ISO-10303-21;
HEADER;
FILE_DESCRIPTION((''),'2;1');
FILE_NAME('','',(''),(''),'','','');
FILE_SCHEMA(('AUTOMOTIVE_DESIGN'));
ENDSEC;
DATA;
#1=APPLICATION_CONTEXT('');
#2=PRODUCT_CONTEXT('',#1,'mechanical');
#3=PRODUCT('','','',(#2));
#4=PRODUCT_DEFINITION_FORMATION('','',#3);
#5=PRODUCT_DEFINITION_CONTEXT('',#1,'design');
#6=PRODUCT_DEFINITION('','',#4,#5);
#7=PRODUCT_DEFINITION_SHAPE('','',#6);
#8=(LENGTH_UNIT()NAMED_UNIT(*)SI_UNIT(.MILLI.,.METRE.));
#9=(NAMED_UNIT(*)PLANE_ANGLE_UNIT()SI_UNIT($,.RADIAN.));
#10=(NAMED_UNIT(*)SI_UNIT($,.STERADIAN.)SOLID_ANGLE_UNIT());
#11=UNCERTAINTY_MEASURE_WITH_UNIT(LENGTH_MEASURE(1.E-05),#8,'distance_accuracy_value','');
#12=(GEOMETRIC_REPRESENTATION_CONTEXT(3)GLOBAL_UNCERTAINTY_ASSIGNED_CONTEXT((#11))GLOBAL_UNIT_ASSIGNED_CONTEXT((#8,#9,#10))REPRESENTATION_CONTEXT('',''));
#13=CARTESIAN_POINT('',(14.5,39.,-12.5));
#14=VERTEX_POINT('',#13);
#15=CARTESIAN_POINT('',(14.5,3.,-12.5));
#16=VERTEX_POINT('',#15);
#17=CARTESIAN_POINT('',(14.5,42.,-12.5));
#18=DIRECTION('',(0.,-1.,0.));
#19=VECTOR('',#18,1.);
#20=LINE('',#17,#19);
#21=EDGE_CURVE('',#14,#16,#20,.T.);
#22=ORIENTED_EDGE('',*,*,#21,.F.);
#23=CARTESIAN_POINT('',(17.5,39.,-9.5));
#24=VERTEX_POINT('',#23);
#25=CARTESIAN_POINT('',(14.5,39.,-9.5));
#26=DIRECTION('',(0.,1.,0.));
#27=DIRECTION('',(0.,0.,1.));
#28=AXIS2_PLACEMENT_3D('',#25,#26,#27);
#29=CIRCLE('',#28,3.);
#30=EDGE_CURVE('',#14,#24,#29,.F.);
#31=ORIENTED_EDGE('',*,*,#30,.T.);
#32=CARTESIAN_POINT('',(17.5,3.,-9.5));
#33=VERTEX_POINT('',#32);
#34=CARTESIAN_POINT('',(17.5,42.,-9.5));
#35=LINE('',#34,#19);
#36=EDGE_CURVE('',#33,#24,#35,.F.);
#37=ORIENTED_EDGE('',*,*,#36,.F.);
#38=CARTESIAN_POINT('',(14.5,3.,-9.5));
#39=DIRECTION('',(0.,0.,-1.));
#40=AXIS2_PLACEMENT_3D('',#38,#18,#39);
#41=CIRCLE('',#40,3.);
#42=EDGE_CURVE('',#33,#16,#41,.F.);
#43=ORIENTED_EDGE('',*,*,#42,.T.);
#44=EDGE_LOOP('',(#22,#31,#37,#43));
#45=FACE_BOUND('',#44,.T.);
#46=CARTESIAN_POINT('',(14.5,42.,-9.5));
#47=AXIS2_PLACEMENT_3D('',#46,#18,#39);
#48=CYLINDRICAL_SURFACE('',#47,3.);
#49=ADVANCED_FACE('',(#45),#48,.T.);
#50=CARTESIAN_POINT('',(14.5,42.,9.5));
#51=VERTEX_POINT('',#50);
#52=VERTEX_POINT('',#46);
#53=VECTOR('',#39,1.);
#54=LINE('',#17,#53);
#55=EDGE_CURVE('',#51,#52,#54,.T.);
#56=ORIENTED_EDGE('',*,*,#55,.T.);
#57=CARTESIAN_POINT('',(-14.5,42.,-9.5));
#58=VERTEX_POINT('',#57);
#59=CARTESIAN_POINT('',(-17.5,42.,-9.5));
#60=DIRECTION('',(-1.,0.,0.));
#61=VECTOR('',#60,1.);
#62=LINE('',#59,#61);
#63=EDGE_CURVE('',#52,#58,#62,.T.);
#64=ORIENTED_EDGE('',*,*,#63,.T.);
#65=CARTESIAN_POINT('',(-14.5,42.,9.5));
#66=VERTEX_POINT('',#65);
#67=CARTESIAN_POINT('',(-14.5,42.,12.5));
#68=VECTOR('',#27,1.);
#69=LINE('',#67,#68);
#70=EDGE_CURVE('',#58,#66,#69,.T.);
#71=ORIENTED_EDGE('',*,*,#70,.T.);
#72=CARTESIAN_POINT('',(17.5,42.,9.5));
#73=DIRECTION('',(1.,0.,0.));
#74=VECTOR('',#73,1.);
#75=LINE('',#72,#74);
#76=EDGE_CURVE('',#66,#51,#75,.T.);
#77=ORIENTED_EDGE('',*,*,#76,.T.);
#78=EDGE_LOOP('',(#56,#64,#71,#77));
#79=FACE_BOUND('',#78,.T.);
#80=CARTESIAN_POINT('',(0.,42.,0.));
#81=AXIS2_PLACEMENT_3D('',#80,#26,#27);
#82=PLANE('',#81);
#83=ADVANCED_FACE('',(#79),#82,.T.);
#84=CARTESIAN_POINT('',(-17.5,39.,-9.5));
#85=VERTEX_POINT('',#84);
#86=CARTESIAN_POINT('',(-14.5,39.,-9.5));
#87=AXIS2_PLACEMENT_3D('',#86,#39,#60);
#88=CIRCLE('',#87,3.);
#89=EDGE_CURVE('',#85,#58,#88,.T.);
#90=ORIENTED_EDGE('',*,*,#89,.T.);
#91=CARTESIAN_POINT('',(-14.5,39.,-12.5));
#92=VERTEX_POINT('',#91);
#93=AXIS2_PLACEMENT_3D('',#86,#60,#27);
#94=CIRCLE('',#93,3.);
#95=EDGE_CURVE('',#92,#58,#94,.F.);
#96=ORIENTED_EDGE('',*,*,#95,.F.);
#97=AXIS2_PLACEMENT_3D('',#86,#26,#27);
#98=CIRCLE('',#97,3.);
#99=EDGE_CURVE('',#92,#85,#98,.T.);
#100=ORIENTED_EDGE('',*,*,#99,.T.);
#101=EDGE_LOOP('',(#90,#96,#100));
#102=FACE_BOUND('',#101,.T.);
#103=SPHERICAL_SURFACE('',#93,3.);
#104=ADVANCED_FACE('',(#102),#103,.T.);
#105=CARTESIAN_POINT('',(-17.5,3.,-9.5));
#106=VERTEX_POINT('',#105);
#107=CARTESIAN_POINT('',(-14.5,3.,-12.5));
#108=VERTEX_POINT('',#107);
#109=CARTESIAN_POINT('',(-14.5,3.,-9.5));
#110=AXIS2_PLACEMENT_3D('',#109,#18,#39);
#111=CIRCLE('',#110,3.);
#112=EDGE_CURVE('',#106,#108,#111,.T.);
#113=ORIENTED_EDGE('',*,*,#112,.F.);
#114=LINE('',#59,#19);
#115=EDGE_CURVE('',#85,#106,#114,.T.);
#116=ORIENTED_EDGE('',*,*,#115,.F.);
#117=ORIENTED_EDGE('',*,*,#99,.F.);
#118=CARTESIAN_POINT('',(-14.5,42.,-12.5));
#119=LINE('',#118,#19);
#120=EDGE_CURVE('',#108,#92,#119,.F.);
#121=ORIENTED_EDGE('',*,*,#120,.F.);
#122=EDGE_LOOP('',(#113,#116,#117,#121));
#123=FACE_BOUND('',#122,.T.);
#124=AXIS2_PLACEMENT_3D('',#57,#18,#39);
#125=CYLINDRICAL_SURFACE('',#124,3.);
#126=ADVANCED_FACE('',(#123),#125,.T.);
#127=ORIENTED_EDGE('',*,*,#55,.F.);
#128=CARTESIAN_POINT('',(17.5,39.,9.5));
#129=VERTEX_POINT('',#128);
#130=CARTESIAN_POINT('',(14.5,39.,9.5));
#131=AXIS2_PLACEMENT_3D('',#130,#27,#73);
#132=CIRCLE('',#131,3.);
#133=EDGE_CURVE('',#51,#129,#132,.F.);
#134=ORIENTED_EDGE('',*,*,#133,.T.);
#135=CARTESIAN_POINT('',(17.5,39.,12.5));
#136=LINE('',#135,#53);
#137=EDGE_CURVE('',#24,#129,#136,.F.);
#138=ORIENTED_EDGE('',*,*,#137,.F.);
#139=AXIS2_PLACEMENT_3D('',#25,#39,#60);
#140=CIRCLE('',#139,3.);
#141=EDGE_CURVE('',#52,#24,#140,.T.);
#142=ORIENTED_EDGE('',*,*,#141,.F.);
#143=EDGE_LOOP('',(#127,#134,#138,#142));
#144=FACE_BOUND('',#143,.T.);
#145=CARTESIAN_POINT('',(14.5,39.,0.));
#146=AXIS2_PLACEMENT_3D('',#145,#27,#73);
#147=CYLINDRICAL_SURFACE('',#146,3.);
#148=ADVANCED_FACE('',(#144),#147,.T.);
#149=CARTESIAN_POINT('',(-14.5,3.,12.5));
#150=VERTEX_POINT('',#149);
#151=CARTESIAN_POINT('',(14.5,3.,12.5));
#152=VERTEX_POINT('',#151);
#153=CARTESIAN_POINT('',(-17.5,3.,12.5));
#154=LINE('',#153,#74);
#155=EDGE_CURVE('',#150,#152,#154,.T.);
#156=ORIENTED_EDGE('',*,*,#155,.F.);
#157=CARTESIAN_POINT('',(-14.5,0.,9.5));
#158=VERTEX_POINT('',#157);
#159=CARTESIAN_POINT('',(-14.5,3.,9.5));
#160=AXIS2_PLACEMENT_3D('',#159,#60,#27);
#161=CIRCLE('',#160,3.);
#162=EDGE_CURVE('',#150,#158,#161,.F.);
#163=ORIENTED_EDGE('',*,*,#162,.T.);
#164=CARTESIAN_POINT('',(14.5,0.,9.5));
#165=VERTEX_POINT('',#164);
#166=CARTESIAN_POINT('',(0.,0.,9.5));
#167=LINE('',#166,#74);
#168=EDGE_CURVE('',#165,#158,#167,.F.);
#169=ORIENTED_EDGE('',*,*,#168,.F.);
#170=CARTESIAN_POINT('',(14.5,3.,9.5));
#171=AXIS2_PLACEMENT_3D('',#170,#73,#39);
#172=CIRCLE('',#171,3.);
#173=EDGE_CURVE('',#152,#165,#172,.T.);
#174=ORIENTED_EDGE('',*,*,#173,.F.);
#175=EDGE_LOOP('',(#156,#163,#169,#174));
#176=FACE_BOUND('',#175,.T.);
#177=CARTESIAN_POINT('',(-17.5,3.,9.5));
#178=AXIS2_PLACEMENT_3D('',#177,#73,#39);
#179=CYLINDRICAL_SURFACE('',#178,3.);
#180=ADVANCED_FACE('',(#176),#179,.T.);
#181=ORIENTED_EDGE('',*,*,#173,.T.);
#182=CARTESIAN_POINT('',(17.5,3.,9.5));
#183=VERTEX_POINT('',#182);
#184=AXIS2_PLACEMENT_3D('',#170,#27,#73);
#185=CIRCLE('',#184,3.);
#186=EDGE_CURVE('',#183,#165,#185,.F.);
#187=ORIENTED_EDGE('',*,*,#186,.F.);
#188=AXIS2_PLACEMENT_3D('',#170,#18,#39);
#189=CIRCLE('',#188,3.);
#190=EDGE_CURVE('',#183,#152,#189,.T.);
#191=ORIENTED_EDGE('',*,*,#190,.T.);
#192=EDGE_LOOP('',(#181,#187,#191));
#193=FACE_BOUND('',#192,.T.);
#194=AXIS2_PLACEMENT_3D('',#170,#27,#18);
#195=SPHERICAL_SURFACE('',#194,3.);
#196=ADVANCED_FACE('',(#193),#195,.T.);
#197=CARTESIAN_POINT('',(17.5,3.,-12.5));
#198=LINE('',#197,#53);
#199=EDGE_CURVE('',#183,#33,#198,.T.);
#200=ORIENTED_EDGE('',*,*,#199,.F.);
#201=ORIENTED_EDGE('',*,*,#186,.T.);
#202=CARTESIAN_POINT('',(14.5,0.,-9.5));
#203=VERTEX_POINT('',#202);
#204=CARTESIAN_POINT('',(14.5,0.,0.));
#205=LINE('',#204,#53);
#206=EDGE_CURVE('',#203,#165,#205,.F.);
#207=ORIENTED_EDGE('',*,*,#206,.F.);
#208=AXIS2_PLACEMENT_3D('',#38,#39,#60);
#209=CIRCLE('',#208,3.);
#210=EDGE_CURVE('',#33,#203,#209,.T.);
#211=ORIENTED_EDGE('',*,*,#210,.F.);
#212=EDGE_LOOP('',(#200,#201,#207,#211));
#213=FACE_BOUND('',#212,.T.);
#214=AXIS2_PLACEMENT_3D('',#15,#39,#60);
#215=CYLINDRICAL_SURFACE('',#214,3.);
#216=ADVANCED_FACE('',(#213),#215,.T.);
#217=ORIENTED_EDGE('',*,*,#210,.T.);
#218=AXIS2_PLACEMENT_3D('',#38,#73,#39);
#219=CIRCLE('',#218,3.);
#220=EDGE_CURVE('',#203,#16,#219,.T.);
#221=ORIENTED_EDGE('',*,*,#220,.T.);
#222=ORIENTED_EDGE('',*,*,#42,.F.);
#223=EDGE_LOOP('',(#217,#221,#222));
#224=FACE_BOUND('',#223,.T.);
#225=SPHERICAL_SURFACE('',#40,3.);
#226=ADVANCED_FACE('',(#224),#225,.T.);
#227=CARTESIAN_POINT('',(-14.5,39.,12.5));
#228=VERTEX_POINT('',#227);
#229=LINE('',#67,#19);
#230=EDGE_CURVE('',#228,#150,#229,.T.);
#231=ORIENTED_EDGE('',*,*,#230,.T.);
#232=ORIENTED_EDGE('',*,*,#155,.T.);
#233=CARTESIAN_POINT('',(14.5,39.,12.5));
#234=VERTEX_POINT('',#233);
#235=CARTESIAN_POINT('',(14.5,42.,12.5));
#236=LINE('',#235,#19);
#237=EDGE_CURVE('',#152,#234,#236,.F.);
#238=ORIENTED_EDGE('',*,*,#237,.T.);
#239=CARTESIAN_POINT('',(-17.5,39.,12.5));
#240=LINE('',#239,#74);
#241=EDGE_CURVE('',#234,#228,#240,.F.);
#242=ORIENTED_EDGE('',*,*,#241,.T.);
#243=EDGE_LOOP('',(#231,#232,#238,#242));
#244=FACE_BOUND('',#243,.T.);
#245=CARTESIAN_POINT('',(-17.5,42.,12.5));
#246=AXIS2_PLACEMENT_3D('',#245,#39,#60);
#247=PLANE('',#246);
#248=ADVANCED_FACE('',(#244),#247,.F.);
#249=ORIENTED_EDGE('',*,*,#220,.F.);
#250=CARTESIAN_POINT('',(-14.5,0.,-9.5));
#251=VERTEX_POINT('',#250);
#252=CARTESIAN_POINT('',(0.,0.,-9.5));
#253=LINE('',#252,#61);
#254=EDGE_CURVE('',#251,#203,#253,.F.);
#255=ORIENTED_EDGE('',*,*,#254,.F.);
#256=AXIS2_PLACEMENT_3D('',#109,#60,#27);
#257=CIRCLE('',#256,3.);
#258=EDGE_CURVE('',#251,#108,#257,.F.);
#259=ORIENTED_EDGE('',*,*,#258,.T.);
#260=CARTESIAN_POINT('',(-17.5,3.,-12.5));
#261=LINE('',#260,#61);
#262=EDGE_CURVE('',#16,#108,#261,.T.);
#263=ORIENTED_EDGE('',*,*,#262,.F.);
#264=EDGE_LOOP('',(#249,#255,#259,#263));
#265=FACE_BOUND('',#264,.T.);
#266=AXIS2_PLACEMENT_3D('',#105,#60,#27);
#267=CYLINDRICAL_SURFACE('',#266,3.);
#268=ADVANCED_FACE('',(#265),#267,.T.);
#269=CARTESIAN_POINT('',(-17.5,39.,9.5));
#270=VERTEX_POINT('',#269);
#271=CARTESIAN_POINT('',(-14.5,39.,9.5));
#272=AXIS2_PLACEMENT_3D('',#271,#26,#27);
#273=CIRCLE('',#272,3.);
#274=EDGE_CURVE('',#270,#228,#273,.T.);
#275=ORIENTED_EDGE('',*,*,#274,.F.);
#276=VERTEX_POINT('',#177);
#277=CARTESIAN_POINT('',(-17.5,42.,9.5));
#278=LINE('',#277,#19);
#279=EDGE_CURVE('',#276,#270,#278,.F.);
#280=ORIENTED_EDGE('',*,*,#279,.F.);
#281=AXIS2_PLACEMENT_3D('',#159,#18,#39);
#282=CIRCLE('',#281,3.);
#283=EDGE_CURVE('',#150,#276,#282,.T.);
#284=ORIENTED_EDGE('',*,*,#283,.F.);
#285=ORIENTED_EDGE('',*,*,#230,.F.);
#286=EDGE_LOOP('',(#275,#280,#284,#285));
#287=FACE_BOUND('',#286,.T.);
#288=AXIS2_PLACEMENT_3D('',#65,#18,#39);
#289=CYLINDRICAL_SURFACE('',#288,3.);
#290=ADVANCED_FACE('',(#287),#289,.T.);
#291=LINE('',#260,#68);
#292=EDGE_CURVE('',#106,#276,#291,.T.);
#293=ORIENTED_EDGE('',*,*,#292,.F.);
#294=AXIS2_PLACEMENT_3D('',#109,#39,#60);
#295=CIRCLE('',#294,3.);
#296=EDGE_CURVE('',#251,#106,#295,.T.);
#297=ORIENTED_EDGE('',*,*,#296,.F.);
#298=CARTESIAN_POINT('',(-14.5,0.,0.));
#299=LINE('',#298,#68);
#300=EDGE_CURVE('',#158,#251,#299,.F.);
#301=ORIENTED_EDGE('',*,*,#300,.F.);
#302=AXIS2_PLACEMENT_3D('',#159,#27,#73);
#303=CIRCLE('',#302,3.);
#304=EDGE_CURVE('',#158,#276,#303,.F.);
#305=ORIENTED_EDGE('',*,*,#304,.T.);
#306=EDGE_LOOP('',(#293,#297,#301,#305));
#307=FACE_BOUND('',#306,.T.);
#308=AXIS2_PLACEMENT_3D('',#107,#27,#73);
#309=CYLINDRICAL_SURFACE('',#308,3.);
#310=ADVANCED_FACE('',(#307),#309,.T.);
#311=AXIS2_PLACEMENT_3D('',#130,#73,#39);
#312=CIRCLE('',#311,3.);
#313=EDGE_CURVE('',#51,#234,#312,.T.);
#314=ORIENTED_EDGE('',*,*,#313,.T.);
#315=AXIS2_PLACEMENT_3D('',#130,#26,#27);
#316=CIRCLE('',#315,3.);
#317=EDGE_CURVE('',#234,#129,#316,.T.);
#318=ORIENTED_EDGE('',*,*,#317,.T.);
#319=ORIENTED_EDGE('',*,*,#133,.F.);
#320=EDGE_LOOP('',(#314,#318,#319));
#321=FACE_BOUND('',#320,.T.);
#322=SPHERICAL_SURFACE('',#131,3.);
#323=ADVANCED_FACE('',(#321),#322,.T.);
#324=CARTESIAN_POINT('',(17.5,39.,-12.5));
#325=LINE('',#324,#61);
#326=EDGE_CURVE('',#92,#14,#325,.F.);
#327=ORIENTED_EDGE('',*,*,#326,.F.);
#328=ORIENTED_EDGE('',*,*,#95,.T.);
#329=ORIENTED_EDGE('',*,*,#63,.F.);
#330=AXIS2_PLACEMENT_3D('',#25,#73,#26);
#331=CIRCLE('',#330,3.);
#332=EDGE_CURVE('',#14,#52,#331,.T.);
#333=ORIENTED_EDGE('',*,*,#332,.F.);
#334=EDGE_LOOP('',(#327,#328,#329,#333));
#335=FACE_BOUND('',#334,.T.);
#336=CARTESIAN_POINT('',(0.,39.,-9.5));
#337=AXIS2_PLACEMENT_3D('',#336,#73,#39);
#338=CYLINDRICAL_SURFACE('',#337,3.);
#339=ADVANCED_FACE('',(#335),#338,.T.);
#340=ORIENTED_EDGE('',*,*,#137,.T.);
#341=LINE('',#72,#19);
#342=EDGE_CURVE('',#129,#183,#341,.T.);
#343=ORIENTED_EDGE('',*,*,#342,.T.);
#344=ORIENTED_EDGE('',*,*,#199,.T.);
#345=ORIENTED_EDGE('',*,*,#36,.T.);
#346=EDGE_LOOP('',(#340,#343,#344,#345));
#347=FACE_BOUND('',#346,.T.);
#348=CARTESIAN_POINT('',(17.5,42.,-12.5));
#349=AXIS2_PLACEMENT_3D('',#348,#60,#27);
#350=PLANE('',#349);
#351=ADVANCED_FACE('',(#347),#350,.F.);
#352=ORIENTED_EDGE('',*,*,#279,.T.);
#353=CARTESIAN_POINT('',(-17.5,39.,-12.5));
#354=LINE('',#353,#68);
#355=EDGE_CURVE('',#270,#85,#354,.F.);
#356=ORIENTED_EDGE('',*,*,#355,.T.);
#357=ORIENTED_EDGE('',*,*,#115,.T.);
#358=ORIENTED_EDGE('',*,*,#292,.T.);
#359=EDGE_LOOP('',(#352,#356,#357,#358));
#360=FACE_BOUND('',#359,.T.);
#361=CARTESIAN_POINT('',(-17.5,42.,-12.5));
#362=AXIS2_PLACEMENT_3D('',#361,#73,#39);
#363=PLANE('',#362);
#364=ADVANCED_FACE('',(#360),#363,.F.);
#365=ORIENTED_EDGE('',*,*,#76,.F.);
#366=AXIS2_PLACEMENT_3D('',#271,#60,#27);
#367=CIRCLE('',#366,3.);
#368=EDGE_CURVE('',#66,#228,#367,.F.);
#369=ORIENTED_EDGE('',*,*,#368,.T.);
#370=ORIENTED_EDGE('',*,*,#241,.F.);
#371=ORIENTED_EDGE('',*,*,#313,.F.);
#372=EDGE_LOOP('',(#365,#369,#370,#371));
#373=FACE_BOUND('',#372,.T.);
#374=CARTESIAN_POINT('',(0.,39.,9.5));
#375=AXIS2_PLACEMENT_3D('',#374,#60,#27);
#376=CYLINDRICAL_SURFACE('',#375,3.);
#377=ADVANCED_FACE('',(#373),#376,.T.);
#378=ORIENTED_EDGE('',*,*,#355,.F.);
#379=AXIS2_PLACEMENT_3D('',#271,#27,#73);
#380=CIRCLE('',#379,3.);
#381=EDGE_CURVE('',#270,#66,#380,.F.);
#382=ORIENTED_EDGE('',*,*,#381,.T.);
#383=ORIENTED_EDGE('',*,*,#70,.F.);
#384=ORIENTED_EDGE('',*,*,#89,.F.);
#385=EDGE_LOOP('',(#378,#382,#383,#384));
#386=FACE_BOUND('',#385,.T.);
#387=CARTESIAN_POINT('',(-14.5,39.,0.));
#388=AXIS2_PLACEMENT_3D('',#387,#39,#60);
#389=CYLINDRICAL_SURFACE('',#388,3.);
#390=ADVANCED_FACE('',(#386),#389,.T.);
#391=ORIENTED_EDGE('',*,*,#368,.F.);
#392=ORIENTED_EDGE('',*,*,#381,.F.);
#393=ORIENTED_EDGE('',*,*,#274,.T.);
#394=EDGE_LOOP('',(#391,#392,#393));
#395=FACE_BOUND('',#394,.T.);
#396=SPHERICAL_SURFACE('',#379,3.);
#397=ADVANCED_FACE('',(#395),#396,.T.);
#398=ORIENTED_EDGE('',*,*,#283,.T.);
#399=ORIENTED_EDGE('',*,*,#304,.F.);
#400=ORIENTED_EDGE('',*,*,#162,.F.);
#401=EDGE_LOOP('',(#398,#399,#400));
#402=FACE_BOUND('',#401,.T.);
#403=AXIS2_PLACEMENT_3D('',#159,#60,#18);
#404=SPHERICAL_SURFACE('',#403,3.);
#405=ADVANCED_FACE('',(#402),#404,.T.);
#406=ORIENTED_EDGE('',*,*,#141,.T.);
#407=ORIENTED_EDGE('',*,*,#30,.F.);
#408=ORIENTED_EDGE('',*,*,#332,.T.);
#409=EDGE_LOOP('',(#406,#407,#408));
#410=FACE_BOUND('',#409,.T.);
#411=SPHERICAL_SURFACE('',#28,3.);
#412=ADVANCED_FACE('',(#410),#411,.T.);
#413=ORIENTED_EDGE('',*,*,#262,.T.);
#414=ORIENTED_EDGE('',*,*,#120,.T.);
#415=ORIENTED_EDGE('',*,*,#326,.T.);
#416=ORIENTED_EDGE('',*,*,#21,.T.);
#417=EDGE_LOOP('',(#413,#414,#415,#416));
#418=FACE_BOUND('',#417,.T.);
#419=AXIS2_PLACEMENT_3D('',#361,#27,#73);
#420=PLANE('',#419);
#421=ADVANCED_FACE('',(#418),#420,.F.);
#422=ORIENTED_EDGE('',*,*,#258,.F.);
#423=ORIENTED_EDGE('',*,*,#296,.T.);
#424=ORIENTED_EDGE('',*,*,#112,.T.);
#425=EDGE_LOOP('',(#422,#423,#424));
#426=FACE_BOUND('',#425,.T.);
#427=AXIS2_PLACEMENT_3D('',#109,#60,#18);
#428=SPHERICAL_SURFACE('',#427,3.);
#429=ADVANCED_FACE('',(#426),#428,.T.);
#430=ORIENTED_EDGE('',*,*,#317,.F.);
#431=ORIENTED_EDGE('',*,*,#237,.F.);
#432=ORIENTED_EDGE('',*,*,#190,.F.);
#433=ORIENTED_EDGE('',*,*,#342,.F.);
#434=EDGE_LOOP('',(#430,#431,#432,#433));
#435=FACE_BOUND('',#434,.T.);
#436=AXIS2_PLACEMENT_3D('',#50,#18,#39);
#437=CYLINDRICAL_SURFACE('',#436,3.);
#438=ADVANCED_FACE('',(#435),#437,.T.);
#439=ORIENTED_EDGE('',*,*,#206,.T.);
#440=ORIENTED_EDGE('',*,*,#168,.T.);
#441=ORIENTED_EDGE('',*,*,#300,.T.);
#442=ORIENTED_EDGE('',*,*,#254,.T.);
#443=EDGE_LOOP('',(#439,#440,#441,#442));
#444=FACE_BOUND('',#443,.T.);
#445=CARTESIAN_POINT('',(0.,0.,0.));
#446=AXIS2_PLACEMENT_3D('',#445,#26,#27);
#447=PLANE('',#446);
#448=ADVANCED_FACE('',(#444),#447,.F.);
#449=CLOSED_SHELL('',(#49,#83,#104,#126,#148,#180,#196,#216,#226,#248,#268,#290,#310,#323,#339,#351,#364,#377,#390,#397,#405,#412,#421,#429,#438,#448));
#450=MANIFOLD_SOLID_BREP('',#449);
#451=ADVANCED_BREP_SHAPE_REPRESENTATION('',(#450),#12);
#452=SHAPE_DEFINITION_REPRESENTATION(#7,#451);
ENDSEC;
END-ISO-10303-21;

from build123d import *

# Parameters (mm, degrees)
SKETCH1_W           = 35
SKETCH1_H           = 25
BOSS_EXTRUDE1_DEPTH = 42
FILLET1_R           = 3


with BuildPart() as part:
    # Sketch1 → Boss-Extrude1 (new body)
    with BuildSketch(Plane(origin=(0, 0, 0), x_dir=(1, 0, 0), z_dir=(0, 1, 0))):
        Rectangle(SKETCH1_W, SKETCH1_H)
    extrude(amount=BOSS_EXTRUDE1_DEPTH)

    # Fillet1
    fillet1_edges = [part.edges().sort_by_distance(p)[0] for p in [
        (-17.5, 42, 0),
        (0, 42, 12.5),
        (17.5, 42, 0),
        (0, 0, 12.5),
        (-17.5, 0, 0),
        (0, 0, -12.5),
        (17.5, 0, 0),
        (17.5, 21, 12.5),
        (-17.5, 21, 12.5),
        (-17.5, 21, -12.5),
        (17.5, 21, -12.5),
        (0, 42, -12.5),
    ]]
    fillet(fillet1_edges, radius=FILLET1_R)


solid = part.part
